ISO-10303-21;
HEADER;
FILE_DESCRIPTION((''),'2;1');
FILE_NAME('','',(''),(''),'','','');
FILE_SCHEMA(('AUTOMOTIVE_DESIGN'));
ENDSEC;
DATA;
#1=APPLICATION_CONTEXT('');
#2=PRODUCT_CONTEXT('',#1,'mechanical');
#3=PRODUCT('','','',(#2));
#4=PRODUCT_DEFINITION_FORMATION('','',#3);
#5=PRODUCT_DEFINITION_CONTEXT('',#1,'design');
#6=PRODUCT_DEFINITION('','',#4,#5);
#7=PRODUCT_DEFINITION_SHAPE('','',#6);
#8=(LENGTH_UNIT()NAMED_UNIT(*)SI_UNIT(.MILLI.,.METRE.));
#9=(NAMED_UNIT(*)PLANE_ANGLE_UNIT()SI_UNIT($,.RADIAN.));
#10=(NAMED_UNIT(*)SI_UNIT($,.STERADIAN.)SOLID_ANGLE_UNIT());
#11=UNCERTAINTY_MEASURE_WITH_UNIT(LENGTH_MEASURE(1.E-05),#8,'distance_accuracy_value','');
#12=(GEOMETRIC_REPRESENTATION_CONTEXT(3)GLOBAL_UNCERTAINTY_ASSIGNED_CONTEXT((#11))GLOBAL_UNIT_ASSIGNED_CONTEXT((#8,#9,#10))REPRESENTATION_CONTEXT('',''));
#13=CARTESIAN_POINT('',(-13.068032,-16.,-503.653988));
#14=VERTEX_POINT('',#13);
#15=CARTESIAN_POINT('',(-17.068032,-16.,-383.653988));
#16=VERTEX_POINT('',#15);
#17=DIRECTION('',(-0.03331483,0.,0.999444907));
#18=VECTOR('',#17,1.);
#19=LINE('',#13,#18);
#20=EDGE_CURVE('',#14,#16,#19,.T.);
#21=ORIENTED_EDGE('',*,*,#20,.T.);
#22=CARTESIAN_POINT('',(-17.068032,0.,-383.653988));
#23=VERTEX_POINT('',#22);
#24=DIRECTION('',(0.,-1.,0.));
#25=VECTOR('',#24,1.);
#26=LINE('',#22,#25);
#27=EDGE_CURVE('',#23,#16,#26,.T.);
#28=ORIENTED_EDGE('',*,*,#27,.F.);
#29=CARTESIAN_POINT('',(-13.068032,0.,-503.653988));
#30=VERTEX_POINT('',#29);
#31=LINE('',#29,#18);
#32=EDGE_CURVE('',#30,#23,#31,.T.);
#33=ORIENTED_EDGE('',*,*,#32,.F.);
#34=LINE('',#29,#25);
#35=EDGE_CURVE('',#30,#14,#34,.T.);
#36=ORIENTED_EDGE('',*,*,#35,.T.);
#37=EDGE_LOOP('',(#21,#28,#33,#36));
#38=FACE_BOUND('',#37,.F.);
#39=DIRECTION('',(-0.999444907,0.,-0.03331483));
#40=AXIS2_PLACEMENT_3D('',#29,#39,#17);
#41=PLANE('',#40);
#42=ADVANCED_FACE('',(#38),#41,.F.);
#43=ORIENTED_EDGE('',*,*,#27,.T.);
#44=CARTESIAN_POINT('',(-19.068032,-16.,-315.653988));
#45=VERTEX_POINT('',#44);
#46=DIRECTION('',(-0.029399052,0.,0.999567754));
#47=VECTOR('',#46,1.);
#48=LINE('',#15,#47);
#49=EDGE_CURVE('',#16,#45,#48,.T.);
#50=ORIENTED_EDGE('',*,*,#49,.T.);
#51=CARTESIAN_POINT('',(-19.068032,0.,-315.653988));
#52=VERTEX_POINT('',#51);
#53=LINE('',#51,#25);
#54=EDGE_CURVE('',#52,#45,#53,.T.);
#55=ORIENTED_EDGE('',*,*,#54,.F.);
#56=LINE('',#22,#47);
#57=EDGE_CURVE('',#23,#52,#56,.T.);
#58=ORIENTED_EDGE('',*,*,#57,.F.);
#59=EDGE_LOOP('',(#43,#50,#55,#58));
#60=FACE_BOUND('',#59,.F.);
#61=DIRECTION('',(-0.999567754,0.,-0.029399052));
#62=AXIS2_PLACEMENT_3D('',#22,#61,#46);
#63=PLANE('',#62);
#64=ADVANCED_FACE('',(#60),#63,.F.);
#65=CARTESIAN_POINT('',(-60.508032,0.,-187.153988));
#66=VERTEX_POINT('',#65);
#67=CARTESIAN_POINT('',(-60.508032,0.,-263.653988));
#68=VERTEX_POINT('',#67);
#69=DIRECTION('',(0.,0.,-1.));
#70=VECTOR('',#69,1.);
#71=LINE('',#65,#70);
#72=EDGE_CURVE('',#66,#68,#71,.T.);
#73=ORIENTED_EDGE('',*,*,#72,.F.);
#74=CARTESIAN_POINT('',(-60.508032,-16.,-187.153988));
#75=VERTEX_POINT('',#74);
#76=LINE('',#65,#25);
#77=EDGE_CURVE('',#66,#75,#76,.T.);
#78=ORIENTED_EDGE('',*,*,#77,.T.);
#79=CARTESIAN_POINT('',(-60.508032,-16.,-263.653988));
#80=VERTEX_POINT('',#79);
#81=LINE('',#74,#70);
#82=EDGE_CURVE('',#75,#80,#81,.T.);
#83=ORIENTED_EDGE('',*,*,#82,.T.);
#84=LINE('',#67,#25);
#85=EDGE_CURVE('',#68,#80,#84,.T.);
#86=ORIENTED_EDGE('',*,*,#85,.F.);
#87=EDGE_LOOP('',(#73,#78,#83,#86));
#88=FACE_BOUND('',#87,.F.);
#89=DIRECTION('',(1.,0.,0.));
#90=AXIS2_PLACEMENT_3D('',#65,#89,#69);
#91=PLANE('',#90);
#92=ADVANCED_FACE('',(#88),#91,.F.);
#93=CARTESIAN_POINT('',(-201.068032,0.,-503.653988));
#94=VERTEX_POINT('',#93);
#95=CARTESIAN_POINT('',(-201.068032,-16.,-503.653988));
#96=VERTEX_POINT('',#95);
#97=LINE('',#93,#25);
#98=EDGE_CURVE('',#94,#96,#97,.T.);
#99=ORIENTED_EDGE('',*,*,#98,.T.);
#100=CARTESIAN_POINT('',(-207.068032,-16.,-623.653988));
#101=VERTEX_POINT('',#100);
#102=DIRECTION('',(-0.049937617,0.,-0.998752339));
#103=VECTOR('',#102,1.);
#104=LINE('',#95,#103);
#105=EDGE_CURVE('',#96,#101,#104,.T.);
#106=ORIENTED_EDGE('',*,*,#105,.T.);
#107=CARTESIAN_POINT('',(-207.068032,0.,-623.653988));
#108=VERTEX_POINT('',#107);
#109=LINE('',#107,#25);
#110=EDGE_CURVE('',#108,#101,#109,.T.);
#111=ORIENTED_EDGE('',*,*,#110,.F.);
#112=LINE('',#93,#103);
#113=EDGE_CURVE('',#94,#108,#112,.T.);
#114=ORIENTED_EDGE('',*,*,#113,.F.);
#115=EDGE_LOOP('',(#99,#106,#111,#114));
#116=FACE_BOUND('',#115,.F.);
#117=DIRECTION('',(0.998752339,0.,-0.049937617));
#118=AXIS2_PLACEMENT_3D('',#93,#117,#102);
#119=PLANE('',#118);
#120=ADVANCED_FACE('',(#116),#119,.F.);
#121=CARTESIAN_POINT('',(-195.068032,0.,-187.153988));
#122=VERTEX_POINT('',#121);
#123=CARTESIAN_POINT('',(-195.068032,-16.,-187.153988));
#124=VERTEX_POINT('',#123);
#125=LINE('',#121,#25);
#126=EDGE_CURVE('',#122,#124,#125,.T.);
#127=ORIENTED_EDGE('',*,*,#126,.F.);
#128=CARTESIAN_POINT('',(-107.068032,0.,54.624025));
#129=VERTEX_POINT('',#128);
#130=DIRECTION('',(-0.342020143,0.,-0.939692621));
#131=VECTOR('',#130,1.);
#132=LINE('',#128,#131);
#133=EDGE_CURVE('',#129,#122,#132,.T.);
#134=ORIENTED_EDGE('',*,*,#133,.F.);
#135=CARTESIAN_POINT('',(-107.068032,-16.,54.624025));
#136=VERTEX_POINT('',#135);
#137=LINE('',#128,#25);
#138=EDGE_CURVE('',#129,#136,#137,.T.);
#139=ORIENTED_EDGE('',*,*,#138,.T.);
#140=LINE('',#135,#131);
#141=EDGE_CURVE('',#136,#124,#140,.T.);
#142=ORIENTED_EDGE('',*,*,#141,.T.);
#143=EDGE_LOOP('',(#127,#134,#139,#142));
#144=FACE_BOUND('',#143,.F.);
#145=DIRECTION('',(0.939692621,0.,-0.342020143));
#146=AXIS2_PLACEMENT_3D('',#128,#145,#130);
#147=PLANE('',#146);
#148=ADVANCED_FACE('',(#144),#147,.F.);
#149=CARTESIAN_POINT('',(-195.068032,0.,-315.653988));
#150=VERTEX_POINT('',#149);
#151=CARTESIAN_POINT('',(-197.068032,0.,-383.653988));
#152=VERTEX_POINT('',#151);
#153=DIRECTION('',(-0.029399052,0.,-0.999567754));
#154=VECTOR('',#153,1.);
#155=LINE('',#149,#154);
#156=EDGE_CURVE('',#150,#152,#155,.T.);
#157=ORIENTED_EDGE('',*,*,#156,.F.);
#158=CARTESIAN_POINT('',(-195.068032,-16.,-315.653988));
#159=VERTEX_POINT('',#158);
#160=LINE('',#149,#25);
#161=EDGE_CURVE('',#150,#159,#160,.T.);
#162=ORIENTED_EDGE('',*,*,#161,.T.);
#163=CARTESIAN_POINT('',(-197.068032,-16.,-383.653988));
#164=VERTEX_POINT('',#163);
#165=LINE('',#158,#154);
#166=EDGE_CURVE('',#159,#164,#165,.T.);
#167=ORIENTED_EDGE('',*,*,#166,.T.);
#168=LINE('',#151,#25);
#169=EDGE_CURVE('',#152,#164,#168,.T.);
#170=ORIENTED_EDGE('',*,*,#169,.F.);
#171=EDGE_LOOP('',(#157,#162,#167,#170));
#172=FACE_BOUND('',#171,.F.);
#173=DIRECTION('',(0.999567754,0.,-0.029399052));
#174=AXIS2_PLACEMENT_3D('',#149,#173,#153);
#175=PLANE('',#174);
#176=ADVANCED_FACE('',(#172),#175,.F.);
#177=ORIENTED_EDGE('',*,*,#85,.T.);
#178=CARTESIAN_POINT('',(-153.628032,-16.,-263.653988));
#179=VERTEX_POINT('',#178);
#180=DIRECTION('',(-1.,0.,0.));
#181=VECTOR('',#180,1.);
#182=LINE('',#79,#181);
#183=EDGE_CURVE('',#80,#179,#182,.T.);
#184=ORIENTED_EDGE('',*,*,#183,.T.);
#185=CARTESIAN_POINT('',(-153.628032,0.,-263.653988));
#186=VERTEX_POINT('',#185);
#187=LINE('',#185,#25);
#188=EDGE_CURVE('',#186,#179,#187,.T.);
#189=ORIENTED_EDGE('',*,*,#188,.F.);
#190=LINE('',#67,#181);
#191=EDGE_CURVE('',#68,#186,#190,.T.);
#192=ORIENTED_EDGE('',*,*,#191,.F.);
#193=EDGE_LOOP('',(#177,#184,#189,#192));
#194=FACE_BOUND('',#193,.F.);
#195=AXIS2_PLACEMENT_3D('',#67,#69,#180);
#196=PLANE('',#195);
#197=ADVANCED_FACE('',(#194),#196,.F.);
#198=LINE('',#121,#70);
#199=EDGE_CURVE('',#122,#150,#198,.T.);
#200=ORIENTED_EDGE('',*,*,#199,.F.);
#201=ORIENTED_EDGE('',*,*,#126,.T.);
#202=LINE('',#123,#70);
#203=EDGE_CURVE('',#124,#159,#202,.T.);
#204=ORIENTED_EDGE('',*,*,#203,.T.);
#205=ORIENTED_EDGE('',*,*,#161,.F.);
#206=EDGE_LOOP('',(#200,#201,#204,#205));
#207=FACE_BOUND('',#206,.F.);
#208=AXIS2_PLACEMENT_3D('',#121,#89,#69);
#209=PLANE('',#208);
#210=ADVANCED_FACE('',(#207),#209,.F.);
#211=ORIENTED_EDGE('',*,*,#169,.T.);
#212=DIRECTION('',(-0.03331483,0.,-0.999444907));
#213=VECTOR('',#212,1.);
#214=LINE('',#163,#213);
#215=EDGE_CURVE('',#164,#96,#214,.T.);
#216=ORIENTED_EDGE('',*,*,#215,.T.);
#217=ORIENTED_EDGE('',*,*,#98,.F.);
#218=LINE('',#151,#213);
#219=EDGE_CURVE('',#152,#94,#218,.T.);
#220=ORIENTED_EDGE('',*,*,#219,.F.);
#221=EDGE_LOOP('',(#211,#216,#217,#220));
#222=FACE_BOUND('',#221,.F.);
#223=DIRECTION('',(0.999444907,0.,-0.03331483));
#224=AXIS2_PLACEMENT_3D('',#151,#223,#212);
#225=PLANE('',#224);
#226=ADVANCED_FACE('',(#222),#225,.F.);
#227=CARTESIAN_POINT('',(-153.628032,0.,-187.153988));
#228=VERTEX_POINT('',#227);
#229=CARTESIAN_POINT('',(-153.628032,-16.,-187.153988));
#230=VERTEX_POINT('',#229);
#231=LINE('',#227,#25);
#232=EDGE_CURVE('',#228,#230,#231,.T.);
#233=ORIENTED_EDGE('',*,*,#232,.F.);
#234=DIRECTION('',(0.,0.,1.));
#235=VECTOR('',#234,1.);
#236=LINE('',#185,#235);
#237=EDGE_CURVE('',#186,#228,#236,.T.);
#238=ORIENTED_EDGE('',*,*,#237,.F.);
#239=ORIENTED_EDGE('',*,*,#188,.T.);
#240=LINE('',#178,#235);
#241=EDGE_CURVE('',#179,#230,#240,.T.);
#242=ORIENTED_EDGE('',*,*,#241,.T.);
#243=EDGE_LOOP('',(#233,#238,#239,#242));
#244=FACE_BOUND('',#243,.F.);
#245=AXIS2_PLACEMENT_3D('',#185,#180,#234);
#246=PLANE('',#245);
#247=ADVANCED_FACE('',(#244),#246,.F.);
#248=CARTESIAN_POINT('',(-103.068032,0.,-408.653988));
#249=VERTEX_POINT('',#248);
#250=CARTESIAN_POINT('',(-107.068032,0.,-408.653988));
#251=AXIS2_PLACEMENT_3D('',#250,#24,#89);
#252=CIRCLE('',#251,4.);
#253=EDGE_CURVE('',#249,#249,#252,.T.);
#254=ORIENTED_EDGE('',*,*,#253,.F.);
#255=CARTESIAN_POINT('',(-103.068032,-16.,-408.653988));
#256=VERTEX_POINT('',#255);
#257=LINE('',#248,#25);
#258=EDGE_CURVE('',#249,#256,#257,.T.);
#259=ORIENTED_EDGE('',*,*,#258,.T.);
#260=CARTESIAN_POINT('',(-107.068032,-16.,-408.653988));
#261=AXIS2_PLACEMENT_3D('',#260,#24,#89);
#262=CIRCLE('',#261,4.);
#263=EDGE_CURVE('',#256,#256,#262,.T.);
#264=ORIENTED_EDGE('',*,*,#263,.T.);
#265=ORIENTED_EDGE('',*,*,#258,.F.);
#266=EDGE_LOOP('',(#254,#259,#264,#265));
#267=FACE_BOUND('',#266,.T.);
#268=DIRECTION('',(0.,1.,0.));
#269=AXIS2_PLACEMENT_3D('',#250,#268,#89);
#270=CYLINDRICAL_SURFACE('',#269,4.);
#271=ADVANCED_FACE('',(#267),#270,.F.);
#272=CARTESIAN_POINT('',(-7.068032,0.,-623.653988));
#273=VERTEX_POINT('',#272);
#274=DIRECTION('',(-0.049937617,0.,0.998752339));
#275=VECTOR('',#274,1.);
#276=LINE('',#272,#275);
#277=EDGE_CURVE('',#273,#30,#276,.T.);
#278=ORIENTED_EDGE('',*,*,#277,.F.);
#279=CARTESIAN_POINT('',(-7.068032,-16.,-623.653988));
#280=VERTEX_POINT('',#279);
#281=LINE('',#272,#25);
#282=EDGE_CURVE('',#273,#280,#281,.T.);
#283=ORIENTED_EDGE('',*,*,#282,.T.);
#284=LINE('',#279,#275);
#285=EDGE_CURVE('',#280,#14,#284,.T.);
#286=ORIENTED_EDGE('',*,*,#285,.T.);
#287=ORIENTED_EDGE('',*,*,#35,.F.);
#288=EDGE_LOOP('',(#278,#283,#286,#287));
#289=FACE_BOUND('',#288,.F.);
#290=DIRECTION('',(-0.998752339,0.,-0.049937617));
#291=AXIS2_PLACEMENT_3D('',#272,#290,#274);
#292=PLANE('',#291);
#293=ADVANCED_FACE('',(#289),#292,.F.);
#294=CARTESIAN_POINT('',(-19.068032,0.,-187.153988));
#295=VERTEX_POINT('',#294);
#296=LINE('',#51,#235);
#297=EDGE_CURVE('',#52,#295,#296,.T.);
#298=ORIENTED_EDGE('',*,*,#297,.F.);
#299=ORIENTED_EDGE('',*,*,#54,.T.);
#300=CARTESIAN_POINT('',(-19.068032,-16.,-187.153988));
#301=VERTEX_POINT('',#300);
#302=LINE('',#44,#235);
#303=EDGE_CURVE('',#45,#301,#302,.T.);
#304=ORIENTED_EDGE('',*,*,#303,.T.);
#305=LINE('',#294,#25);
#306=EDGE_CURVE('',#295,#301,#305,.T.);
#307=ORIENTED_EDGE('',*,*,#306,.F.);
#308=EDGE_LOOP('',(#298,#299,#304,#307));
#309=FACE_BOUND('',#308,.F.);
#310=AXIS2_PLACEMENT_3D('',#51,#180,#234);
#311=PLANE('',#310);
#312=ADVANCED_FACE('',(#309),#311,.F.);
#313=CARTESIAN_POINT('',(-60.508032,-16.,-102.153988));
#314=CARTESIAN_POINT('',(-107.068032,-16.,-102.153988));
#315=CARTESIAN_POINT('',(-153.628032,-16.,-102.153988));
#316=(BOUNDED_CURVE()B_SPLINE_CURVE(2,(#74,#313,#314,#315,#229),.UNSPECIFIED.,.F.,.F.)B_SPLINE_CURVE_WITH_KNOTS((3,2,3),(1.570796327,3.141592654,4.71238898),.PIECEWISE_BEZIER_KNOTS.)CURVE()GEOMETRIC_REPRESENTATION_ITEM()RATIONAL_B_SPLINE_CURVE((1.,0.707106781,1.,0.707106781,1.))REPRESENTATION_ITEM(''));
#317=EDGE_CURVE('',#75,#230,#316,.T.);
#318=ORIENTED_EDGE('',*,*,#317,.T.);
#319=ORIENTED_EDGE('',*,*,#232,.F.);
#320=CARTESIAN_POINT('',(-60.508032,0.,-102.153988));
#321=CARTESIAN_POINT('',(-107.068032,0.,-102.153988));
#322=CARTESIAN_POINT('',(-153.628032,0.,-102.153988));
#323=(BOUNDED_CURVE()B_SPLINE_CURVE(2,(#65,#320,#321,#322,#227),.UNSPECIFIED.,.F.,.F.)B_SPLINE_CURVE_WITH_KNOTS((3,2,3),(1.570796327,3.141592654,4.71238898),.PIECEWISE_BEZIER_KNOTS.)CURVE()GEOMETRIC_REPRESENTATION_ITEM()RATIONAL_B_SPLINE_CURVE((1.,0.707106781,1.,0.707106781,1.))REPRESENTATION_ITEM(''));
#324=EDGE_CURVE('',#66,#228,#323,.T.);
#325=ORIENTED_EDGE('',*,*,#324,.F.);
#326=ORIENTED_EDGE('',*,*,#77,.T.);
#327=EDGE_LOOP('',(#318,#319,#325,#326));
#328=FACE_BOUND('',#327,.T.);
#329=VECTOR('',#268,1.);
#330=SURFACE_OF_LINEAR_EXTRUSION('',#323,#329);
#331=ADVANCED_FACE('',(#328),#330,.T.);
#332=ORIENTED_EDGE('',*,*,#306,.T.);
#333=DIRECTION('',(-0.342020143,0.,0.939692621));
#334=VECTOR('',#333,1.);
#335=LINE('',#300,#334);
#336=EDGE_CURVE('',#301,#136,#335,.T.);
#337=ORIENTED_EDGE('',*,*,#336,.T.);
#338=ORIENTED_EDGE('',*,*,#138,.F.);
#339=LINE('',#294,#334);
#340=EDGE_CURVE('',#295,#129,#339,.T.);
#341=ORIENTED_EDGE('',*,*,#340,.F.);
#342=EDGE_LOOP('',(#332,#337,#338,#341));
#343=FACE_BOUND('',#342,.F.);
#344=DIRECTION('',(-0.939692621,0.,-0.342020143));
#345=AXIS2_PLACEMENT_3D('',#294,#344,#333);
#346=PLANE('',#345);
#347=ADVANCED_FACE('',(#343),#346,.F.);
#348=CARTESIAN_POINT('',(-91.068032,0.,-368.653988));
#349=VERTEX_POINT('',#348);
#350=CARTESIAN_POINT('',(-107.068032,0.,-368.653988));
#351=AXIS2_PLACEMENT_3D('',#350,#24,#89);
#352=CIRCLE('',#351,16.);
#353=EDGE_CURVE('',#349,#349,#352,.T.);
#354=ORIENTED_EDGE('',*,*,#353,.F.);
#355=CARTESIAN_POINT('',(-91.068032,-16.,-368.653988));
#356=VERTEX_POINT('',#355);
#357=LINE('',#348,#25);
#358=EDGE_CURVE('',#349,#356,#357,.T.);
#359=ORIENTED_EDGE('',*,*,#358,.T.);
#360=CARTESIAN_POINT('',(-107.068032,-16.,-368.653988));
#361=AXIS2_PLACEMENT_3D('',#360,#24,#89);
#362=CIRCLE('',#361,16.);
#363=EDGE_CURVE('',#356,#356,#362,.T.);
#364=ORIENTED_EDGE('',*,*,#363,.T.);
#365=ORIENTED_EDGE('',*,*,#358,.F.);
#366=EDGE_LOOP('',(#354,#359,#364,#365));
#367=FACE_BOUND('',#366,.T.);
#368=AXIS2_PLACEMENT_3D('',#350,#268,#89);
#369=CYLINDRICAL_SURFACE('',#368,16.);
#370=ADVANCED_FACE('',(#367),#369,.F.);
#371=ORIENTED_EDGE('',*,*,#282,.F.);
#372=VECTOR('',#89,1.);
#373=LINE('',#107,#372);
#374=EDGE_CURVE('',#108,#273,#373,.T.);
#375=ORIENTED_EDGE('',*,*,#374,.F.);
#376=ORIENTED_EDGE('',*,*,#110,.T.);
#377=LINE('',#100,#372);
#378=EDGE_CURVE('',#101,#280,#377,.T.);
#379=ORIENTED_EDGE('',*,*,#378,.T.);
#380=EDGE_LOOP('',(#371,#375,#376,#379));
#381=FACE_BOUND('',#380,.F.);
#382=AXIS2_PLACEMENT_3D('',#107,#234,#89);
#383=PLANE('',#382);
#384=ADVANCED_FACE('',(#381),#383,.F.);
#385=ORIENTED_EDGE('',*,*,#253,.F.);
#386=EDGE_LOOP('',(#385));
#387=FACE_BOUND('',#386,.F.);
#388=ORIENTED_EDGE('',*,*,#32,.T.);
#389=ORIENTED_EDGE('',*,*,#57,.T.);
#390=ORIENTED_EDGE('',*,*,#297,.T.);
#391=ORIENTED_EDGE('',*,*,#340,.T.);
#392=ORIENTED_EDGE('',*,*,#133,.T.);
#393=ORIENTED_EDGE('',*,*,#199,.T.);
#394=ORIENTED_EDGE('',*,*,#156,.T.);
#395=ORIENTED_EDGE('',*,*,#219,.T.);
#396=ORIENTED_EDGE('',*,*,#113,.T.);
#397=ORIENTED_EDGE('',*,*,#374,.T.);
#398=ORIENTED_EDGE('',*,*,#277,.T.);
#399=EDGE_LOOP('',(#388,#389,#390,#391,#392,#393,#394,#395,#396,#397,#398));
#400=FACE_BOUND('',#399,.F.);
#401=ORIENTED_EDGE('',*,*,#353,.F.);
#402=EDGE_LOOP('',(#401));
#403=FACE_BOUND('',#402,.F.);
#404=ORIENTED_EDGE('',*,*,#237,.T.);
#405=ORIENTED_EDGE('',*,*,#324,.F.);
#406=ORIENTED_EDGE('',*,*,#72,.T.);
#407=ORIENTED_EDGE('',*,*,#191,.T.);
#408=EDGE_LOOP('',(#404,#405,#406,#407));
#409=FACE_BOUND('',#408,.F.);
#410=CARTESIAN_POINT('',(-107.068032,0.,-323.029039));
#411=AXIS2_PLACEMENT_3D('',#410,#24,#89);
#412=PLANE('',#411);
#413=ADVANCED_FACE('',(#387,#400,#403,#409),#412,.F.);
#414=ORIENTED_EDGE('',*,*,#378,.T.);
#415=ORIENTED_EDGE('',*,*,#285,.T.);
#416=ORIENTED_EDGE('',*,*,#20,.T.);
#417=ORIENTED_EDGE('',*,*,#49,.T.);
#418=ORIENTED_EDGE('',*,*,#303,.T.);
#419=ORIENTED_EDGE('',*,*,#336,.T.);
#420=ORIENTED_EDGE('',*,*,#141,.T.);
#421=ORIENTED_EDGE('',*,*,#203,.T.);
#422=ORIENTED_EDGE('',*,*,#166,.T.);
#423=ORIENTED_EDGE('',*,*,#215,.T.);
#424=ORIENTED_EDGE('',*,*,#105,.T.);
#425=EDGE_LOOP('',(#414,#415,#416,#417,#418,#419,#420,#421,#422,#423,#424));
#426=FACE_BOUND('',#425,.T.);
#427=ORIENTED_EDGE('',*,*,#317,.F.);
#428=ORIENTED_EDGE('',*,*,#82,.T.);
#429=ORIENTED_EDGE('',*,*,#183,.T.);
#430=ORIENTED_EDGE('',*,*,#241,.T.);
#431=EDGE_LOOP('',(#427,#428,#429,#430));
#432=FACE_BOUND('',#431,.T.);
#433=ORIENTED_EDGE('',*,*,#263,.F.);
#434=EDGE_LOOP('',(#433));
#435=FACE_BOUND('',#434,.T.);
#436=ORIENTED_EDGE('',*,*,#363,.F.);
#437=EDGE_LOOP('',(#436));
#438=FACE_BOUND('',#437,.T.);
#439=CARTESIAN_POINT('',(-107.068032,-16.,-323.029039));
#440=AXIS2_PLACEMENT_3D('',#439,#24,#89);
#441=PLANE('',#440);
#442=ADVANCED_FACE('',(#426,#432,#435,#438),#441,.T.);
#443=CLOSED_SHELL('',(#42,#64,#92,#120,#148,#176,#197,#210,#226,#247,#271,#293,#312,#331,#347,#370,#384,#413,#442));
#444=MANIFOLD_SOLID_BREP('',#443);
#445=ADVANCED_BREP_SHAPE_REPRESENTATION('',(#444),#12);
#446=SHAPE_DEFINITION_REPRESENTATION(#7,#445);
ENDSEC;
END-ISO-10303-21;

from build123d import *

# Parameters (mm, degrees)
F0_R     = 4
F0_R_2   = 16
F1_DEPTH = 16


with BuildPart() as f1:
    # F0 (on Front) → F1 (new body)
    with BuildSketch(Plane.XZ):
        Polygon((-207.0680320263, -623.6539875509), (-7.0680320263, -623.6539875509), (-10.0680320263, -563.6539875509), (-13.0680320263, -503.6539875509), (-17.0680320263, -383.6539875509), (-19.0680320263, -315.6539875509), (-19.0680320263, -187.1539875509), (-107.0680320263, 54.6240253611), (-195.0680320263, -187.1539875509), (-195.0680320263, -315.6539875509), (-197.0680320263, -383.6539875509), (-201.0680320263, -503.6539875509), (-204.0680320263, -563.6539875509), align=None)
        with Locations((-107.0680320263, -408.6539875509)):
            Circle(F0_R, mode=Mode.SUBTRACT)
        with Locations((-107.0680320263, -368.6539875509)):
            Circle(F0_R_2, mode=Mode.SUBTRACT)
        with BuildLine():
            Line((-60.5080320263, -263.6539875509), (-153.6280320263, -263.6539875509))
            Line((-153.6280320263, -263.6539875509), (-153.6280320263, -187.1539875509))
            add(Edge.make_bspline(
                [(-60.5080320263, -187.1539875509), (-60.5080320263, -102.1539875509), (-107.0680320263, -102.1539875509), (-153.6280320263, -102.1539875509), (-153.6280320263, -187.1539875509)],
                knots=[1.5707963268, 1.5707963268, 1.5707963268, 3.1415926536, 3.1415926536, 4.7123889804, 4.7123889804, 4.7123889804], degree=2, weights=[1, 0.7071067812, 1, 0.7071067812, 1]))
            Line((-60.5080320263, -187.1539875509), (-60.5080320263, -263.6539875509))
        make_face(mode=Mode.SUBTRACT)
    extrude(amount=F1_DEPTH)


solid = f1.part
